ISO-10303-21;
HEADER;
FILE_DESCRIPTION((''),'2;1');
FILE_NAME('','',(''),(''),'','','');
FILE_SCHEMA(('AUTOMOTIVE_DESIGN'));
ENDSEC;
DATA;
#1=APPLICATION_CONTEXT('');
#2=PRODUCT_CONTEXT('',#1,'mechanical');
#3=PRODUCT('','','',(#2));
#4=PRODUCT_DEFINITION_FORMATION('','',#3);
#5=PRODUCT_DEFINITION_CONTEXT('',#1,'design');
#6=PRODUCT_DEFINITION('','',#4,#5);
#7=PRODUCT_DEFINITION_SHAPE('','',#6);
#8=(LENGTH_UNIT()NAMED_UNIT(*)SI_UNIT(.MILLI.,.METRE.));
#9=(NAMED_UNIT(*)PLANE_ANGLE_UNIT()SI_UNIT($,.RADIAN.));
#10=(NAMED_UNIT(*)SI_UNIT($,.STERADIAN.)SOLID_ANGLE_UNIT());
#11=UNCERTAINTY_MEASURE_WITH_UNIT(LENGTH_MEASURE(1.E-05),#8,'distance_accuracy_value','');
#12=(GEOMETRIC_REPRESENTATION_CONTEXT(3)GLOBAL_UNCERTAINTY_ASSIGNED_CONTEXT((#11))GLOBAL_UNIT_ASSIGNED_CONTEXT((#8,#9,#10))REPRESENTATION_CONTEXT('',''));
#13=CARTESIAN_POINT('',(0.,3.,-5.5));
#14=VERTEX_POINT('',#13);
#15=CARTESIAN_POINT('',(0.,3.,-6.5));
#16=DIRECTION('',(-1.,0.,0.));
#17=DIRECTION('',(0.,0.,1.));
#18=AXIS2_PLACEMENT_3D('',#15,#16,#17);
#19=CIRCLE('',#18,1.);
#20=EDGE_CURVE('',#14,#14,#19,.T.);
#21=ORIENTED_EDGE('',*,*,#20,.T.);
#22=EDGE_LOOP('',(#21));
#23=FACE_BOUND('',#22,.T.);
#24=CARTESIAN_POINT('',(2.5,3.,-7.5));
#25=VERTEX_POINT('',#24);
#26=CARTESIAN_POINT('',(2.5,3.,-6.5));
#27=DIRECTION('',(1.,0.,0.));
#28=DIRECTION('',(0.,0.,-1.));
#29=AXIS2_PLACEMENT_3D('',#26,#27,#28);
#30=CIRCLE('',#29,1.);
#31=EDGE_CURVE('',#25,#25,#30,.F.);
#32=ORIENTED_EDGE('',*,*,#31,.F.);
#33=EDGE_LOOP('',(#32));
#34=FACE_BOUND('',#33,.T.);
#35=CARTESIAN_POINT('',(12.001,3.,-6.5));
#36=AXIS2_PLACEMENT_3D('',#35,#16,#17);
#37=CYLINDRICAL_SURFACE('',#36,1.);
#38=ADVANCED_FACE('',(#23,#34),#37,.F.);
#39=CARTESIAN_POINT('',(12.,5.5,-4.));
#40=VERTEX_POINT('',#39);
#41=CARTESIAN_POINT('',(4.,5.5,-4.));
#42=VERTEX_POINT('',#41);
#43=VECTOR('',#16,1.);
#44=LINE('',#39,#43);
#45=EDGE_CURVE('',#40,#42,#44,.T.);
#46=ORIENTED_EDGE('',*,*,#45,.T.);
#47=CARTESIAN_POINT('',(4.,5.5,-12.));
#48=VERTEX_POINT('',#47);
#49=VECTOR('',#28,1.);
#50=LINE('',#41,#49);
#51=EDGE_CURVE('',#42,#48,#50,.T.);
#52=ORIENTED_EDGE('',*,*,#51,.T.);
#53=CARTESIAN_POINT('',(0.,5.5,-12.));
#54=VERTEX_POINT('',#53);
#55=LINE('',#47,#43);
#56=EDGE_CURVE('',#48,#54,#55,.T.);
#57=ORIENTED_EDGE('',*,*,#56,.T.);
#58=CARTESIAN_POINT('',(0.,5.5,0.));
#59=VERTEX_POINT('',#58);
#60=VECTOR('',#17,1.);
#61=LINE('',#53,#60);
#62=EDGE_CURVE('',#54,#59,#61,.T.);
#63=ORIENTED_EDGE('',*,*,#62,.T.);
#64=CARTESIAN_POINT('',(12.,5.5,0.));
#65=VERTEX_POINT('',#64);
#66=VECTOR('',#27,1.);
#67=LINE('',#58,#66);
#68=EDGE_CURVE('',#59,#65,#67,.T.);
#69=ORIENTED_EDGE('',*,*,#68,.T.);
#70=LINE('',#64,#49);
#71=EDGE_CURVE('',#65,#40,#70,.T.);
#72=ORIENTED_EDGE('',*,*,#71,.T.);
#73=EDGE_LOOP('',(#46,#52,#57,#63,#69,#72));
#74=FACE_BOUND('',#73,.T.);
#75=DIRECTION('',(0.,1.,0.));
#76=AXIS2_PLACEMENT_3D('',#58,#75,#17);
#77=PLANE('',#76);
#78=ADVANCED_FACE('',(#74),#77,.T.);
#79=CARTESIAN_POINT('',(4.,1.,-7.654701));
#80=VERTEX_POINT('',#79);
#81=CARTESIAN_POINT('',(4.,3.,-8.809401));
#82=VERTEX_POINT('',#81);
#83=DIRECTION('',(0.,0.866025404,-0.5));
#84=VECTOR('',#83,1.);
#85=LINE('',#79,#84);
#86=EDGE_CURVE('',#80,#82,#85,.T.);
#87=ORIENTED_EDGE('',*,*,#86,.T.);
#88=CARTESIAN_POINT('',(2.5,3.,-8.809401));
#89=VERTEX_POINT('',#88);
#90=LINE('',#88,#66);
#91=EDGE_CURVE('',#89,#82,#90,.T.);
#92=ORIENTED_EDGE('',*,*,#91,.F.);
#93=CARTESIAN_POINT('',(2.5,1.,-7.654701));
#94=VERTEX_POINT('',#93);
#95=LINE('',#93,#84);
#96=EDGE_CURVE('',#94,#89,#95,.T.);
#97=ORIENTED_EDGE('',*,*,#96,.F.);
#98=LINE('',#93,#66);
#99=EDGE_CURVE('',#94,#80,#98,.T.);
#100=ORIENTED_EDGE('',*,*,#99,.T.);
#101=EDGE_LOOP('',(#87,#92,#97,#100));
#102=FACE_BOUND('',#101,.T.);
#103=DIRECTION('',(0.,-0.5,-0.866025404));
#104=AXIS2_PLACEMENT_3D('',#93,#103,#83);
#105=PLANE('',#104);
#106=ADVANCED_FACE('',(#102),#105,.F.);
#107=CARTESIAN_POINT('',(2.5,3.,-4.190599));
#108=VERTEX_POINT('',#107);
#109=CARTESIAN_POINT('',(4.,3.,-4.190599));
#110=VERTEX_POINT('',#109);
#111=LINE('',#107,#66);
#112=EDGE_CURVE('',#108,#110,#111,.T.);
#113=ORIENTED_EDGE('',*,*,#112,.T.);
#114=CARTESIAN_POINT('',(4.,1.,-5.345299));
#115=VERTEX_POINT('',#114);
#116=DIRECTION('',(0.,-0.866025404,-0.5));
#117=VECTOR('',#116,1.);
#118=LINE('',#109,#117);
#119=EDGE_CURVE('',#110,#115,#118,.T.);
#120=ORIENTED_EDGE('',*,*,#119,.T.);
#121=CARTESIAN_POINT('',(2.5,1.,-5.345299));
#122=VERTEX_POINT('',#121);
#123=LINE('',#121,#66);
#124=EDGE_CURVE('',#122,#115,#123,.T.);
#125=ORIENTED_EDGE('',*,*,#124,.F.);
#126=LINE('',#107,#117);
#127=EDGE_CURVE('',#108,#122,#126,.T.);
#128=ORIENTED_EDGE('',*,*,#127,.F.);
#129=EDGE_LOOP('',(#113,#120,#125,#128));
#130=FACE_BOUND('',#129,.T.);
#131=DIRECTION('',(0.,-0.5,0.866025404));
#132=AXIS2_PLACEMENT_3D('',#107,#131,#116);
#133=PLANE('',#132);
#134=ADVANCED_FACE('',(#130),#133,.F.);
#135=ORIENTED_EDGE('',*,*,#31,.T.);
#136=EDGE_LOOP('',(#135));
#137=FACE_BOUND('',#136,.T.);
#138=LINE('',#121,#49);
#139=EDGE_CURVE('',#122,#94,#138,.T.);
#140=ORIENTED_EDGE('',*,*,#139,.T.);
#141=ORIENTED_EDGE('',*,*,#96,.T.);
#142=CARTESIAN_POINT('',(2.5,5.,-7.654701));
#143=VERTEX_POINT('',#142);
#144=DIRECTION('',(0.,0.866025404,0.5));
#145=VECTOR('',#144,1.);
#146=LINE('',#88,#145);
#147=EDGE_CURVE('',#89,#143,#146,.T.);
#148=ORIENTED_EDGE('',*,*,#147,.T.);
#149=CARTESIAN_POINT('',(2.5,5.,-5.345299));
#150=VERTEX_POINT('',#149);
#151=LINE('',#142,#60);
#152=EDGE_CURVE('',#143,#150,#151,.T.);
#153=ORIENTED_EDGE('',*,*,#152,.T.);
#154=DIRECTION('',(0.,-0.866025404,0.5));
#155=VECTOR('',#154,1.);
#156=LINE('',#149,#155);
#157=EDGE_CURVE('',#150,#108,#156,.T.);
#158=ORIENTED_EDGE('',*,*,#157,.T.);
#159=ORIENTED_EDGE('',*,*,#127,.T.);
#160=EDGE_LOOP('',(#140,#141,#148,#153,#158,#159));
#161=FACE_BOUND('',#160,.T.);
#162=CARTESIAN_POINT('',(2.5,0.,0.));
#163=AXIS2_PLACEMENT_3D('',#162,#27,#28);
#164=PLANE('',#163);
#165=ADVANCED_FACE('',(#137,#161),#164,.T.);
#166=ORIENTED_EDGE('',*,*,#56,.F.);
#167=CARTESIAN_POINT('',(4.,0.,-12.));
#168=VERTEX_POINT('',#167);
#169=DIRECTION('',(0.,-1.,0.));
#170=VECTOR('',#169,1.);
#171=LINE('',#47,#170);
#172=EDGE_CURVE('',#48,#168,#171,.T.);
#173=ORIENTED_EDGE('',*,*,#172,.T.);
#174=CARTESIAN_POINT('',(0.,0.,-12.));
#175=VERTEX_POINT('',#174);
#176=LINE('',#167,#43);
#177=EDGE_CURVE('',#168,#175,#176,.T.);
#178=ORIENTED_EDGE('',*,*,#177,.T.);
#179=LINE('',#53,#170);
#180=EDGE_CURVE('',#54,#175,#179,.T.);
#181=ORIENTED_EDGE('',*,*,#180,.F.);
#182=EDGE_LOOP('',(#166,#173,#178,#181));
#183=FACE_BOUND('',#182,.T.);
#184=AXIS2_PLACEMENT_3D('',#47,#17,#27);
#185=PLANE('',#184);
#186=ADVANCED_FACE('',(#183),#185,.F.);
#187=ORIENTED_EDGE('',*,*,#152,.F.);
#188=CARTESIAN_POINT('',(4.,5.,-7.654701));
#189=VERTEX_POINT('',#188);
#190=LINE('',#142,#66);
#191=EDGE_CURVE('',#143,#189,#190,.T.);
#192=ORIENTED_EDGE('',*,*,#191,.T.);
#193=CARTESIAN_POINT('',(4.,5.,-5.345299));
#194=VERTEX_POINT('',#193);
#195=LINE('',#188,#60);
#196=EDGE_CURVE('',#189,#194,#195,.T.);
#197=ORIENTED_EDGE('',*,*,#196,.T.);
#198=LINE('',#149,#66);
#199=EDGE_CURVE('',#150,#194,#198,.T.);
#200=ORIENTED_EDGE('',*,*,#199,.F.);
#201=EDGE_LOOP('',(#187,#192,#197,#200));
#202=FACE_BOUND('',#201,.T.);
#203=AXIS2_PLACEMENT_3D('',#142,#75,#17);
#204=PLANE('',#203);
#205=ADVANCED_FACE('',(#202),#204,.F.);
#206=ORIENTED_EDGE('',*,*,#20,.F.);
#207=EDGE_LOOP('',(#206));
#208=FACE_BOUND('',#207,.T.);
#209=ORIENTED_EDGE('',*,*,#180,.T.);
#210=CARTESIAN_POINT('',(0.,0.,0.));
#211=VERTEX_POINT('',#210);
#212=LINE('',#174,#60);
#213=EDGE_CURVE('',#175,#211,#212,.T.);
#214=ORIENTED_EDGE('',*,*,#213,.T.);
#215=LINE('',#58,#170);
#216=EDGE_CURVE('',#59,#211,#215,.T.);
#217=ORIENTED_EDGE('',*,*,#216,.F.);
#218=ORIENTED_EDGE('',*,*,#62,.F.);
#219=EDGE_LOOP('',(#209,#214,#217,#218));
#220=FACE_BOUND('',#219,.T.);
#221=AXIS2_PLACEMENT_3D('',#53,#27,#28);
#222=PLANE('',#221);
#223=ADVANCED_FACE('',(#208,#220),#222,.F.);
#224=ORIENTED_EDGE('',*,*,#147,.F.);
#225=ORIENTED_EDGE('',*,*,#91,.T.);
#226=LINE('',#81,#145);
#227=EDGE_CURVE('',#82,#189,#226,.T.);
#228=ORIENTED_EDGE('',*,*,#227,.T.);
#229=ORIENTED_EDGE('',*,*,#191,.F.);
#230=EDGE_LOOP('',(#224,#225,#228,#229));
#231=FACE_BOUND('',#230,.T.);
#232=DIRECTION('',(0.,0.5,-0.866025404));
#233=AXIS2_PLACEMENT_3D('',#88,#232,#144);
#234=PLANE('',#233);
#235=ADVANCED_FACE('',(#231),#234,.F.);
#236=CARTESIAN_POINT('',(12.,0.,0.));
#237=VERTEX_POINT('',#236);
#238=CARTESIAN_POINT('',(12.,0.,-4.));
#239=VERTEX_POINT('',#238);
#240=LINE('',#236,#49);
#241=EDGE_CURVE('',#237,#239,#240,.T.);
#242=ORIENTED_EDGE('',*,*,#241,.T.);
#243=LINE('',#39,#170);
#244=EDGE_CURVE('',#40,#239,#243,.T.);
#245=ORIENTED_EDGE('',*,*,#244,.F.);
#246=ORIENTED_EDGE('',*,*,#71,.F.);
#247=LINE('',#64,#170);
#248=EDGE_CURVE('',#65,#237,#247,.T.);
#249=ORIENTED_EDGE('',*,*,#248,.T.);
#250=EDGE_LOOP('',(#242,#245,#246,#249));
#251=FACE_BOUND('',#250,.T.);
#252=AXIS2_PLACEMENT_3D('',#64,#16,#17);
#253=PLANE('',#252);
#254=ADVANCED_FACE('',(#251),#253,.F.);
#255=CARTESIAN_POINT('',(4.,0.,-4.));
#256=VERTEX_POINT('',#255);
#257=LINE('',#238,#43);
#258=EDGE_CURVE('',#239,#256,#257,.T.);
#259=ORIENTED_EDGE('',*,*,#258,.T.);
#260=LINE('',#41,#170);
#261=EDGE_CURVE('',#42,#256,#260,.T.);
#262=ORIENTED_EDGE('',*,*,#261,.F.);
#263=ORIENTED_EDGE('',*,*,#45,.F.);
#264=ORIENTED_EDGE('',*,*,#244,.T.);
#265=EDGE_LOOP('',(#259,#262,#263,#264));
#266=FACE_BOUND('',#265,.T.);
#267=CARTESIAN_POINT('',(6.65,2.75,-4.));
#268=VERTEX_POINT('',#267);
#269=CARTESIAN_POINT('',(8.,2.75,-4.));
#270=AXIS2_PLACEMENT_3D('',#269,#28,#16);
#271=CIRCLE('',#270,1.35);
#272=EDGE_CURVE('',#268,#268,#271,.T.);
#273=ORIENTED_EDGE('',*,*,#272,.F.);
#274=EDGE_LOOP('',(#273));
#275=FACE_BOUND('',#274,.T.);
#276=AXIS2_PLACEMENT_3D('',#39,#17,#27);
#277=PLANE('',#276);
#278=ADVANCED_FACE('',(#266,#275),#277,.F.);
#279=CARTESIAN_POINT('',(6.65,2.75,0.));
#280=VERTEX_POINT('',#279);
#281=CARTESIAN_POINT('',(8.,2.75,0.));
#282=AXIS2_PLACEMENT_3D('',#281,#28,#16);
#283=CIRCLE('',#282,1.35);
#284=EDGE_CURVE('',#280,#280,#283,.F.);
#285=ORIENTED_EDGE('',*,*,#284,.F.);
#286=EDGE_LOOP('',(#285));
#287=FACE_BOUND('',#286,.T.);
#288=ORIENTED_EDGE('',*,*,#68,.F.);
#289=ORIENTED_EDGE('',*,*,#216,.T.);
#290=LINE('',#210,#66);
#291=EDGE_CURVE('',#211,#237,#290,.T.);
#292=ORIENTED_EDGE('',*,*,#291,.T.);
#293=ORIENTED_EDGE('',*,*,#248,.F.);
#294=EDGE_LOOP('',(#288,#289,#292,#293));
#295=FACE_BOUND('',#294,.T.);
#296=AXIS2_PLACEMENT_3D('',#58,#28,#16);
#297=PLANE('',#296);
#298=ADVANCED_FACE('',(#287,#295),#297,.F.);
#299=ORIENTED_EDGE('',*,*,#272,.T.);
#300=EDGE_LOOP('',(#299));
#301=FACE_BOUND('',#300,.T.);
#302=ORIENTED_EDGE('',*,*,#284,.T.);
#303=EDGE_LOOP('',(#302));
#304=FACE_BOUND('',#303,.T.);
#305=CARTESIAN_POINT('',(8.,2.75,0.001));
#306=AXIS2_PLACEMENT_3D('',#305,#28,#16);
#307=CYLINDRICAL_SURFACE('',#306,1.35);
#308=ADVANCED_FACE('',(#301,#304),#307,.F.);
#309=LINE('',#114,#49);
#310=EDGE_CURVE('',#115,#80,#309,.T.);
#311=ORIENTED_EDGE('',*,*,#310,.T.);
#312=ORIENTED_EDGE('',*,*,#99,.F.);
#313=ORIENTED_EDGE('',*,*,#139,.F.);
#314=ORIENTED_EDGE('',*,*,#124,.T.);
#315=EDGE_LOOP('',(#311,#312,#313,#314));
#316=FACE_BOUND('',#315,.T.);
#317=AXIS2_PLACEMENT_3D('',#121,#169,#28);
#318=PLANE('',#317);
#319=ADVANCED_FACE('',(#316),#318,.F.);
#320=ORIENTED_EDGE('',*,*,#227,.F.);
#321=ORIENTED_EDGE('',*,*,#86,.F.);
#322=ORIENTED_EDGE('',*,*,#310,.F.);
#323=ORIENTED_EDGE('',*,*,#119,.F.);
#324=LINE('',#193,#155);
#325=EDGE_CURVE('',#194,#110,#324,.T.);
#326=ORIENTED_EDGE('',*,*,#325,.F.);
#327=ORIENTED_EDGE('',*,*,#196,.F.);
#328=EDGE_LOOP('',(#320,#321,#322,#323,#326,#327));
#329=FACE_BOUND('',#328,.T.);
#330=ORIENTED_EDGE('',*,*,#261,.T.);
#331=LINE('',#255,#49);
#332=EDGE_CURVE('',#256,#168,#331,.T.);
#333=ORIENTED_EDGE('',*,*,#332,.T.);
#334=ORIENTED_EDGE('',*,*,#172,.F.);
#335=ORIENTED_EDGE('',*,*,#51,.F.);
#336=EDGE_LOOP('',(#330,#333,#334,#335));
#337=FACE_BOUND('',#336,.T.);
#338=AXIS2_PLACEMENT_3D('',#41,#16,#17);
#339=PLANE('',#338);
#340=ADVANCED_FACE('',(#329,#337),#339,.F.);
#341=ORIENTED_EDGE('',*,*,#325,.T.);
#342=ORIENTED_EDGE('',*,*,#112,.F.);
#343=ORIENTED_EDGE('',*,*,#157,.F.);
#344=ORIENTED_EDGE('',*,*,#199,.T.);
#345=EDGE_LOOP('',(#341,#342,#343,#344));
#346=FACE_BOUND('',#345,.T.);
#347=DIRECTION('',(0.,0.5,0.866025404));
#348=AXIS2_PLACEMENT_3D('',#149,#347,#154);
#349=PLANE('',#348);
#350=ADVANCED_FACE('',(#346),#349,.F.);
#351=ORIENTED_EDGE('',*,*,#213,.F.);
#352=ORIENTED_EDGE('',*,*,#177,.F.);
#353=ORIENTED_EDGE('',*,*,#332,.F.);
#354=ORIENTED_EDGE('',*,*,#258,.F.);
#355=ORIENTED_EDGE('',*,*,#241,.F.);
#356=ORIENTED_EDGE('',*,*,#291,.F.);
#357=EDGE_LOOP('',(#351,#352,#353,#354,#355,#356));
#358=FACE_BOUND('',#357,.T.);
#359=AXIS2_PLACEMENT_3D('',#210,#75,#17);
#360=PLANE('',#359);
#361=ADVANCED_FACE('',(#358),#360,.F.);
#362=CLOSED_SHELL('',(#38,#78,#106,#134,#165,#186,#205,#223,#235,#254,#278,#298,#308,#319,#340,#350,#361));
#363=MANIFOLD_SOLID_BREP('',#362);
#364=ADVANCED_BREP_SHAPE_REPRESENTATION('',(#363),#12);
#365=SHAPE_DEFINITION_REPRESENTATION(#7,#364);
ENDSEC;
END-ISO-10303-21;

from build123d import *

# Parameters (mm, degrees)
EXTRUDE_1_DEPTH     = 5.5
CUT_EXTRUDE_1_REACH = 19.84
SKETCH_2_R          = 1
CUT_EXTRUDE_2_DEPTH = 1.5
CUT_EXTRUDE_3_REACH = 17.435
SKETCH_4_R          = 1.35


with BuildPart() as part:
    # 草图1 → 凸台-拉伸1 (new body)
    with BuildSketch(Plane(origin=(0, 0, 0), x_dir=(1, 0, 0), z_dir=(0, 1, 0))):
        Polygon((0, 0), (12, 0), (12, 4), (4, 4), (4, 12), (0, 12), align=None)
    extrude(amount=EXTRUDE_1_DEPTH)

    # 草图2 → 切除-拉伸1 (cut, up to next)
    with BuildSketch(Plane.ZY, mode=Mode.PRIVATE) as cut_extrude_1_sk1:
        with Locations((-6.5, 3)):
            Circle(SKETCH_2_R)
    cut_extrude_1_tool1 = extrude(cut_extrude_1_sk1.sketch, amount=-CUT_EXTRUDE_1_REACH, mode=Mode.PRIVATE) & part.part
    add(cut_extrude_1_tool1.solids().sort_by_distance((0, 3, -6.5))[0], mode=Mode.SUBTRACT)

    # 草图3 → 切除-拉伸2 (cut)
    with BuildSketch(Plane(origin=(4, 0, 0), x_dir=(0, 0, -1), z_dir=(1, 0, 0))):
        Polygon((8.809401077, 3), (7.654700538, 5), (5.345299462, 5), (4.190598923, 3), (5.345299462, 1), (7.654700538, 1), align=None)
    extrude(amount=-CUT_EXTRUDE_2_DEPTH, mode=Mode.SUBTRACT)

    # 草图4 → 切除-拉伸3 (cut, up to next)
    with BuildSketch(Plane(origin=(0, 0, -4), x_dir=(-1, 0, 0), z_dir=(0, 0, -1)), mode=Mode.PRIVATE) as cut_extrude_3_sk1:
        with Locations((-8, 2.75)):
            Circle(SKETCH_4_R)
    cut_extrude_3_tool1 = extrude(cut_extrude_3_sk1.sketch, amount=-CUT_EXTRUDE_3_REACH, mode=Mode.PRIVATE) & part.part
    add(cut_extrude_3_tool1.solids().sort_by_distance((8, 2.75, -4))[0], mode=Mode.SUBTRACT)


solid = part.part
